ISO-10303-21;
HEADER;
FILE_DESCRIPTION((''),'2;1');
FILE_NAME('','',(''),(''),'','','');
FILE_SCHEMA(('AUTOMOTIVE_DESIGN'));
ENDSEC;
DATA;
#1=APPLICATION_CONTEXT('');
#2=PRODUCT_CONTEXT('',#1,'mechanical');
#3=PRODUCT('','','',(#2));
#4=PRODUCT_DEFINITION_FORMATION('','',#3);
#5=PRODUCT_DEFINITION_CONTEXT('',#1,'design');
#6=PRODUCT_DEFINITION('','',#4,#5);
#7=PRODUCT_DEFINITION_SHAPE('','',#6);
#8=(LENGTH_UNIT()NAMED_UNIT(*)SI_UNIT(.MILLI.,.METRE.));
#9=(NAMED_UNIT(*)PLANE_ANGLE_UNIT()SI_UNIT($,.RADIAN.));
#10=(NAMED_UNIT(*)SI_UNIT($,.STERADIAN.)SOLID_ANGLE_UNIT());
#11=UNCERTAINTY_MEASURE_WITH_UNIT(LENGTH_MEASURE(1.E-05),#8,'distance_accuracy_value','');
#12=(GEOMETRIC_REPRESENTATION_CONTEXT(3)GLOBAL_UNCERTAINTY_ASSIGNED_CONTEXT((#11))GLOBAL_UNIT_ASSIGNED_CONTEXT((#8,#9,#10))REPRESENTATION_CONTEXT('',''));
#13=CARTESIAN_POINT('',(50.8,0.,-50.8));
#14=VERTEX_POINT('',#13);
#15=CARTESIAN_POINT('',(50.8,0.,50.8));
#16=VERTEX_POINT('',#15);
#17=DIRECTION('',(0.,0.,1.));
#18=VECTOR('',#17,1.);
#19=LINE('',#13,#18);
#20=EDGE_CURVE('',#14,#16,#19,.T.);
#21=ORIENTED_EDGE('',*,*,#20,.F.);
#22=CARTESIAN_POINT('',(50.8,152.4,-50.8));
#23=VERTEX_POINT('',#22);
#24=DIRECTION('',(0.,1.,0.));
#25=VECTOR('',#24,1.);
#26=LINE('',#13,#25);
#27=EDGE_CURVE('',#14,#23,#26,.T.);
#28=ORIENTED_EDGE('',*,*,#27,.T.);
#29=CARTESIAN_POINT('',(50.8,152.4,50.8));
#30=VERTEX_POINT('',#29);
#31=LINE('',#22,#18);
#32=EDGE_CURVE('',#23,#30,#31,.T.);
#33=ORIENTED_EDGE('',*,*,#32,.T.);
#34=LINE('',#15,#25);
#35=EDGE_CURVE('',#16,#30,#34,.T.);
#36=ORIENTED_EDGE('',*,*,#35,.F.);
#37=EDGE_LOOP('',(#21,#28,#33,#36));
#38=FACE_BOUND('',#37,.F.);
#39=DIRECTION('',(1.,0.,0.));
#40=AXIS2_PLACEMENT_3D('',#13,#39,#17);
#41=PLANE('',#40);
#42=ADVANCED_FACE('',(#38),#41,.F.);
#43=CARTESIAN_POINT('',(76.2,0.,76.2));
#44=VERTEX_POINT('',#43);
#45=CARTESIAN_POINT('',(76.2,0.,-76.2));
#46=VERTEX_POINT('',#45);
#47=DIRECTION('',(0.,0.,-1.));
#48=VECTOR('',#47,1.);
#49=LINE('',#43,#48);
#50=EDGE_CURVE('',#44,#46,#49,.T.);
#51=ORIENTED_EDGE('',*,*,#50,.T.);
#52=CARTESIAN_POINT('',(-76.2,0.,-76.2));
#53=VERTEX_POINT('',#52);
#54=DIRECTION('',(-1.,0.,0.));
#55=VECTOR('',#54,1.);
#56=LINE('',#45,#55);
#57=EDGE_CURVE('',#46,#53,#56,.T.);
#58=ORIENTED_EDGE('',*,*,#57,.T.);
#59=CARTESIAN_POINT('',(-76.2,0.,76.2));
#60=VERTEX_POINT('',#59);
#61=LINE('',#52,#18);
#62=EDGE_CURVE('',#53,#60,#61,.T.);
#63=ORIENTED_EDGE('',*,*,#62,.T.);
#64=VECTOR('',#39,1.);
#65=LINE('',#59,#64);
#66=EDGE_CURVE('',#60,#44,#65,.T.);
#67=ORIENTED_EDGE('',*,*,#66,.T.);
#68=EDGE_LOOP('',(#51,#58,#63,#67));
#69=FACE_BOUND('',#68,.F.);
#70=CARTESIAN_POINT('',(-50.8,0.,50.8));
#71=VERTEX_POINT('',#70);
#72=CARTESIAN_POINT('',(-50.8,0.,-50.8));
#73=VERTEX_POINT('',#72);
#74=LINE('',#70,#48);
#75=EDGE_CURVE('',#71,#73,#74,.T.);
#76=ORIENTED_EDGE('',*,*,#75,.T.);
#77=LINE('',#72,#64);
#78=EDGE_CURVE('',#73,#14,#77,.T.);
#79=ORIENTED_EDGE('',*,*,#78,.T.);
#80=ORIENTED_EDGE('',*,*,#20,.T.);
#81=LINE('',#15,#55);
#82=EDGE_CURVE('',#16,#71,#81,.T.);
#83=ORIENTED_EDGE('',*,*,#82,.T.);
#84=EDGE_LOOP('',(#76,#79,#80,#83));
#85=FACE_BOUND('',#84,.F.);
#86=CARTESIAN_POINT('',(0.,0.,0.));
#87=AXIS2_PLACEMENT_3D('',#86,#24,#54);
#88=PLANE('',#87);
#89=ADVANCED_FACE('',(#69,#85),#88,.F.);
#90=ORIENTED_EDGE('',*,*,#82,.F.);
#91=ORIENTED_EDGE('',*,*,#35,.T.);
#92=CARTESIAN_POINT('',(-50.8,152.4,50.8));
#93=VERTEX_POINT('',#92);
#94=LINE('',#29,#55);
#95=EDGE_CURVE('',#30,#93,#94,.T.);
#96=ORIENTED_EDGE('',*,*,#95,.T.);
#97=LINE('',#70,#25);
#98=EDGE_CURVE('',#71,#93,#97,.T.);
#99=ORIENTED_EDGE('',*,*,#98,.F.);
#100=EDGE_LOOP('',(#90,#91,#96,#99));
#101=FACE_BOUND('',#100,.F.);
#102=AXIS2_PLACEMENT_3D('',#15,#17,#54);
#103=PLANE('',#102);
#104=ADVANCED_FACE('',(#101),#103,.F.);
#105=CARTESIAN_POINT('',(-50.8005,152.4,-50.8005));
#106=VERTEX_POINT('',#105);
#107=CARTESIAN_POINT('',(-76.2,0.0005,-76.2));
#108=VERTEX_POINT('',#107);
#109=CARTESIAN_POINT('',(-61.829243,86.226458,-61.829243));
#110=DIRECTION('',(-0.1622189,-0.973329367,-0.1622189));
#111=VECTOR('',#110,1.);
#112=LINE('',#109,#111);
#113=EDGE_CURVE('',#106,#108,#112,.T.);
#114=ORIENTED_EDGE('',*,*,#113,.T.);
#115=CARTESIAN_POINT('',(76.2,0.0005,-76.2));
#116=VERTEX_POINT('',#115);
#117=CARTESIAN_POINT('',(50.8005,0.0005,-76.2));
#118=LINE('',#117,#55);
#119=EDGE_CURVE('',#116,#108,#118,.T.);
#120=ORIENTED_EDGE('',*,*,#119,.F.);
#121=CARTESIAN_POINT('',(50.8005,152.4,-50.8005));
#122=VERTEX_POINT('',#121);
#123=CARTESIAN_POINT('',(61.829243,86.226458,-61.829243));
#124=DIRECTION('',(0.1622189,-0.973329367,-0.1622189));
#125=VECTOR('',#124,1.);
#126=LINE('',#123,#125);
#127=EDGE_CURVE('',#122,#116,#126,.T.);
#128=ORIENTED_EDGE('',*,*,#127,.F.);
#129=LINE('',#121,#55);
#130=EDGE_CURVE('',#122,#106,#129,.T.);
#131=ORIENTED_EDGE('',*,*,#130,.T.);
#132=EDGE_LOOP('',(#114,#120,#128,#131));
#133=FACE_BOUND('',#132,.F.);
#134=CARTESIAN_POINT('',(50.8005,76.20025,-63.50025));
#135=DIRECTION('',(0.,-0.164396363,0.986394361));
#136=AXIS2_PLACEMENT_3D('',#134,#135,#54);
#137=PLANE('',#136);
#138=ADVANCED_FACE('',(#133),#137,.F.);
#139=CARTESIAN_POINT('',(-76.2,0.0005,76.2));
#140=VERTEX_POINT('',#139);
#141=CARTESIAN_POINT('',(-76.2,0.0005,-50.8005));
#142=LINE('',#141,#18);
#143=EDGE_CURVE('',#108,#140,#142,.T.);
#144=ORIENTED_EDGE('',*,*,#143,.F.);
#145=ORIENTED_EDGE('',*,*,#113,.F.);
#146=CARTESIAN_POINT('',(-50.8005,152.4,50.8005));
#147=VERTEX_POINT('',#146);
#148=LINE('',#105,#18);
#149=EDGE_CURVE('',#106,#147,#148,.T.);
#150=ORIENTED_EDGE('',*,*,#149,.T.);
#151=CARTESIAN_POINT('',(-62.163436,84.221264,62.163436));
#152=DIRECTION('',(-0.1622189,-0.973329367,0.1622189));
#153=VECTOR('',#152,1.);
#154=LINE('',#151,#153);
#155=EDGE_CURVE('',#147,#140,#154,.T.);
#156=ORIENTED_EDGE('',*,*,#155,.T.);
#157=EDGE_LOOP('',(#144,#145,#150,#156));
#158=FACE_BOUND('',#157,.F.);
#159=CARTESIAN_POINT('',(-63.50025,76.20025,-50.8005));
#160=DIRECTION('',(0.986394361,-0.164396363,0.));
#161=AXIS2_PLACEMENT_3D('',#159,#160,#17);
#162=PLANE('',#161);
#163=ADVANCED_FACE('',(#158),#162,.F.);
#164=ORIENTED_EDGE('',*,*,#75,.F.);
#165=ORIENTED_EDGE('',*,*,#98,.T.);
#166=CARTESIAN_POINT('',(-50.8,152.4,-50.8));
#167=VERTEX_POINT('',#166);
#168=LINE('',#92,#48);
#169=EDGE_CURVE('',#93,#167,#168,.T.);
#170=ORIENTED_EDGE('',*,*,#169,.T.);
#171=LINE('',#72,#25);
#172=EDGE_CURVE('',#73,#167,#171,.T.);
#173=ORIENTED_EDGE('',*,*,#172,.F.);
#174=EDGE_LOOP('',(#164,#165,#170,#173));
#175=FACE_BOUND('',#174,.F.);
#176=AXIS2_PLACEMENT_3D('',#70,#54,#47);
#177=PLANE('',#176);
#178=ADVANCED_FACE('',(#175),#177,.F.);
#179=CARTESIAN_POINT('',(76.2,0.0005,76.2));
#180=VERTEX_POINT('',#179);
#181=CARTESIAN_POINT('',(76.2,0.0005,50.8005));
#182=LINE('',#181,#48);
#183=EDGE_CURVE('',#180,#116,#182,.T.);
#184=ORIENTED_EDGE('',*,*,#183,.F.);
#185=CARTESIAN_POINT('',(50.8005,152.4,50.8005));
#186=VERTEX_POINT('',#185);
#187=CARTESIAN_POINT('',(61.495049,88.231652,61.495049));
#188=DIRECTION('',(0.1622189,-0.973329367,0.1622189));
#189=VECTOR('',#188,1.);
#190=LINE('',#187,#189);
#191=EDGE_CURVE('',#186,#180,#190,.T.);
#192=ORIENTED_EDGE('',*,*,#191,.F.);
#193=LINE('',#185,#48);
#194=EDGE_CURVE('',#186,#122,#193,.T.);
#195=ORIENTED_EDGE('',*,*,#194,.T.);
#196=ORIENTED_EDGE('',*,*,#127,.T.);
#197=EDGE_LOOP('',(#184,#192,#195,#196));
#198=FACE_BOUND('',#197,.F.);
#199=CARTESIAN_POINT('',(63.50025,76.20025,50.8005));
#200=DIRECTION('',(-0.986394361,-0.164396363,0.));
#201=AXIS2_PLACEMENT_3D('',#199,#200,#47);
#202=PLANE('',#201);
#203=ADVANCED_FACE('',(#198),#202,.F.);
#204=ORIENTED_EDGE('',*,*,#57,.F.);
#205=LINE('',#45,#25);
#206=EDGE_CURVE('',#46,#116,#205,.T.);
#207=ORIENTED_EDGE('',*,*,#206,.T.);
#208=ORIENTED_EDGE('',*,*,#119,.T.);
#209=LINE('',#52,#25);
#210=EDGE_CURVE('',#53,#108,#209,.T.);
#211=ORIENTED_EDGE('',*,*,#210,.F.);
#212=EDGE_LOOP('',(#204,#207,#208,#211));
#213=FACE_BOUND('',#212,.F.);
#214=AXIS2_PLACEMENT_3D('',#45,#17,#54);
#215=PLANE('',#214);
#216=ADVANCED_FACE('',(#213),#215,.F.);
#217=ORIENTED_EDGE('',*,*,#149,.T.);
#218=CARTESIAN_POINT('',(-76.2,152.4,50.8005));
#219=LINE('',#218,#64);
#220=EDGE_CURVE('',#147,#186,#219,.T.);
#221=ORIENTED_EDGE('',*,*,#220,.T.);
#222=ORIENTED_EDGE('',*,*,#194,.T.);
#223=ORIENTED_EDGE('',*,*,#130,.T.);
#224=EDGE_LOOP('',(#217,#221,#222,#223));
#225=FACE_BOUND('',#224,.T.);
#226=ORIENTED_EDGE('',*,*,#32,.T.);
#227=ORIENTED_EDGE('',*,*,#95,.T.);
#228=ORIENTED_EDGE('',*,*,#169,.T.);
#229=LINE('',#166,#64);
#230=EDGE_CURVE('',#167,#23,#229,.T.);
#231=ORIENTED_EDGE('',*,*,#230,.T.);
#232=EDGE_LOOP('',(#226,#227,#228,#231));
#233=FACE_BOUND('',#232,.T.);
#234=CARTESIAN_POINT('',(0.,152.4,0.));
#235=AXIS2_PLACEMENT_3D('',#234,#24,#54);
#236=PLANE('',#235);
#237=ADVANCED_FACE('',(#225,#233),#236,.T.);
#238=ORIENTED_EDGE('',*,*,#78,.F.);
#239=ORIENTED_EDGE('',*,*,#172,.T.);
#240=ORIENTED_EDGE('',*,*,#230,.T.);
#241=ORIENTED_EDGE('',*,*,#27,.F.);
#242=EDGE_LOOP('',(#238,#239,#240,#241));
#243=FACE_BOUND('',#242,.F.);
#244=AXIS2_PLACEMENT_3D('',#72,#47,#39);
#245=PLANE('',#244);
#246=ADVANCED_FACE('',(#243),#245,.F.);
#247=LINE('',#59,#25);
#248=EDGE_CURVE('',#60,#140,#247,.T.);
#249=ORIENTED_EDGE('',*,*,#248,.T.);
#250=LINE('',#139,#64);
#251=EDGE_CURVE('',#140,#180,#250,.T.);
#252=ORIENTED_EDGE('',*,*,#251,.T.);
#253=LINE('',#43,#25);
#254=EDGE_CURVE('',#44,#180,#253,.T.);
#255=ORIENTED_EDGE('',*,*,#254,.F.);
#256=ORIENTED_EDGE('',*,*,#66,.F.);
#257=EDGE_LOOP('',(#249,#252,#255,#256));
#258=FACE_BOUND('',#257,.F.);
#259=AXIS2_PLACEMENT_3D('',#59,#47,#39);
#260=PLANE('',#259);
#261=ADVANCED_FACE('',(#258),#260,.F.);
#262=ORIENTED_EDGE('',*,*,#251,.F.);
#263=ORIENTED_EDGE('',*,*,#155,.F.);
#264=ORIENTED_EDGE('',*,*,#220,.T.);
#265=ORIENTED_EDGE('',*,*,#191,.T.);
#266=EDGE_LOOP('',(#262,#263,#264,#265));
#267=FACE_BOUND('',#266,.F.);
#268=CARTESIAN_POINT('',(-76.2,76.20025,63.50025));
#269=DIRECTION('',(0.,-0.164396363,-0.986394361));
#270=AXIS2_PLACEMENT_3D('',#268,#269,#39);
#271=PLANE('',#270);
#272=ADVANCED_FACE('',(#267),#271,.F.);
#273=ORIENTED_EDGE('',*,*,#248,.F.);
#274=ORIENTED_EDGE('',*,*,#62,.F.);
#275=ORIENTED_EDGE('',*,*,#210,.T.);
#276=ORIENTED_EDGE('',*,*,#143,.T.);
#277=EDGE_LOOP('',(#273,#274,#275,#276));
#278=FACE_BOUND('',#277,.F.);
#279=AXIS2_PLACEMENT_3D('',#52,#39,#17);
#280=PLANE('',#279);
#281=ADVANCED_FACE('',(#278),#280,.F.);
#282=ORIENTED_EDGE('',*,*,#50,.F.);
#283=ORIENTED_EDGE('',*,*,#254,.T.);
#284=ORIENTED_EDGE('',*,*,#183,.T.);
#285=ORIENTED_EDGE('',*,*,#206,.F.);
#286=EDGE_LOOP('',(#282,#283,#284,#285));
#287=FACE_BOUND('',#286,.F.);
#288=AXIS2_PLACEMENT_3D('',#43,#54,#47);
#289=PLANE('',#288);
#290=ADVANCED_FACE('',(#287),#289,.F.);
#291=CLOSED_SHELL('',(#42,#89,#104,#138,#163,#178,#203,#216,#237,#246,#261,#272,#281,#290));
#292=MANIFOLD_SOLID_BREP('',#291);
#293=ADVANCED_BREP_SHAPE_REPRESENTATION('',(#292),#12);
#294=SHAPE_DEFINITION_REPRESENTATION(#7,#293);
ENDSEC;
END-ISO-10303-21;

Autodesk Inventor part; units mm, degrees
ref_plane "YZ Plane" through (0, 0, 0) normal (1, 0, 0) x (0, 1, 0)
ref_plane "XZ Plane" through (0, 0, 0) normal (0, 1, 0) x (-1, 0, 0)
ref_plane "XY Plane" through (0, 0, 0) normal (0, 0, 1) x (1, 0, 0)
sketch "Sketch1" plane through (0, 0, 0) normal (0, 1, 0) x (-1, 0, 0)
  line L0 (-50.8, 50.8) -> (50.8, 50.8)
  line L1 (50.8, 50.8) -> (50.8, -50.8)
  line L2 (50.8, -50.8) -> (-50.8, -50.8)
  line L3 (-50.8, -50.8) -> (-50.8, 50.8)
  line L4 (-50.8, 50.8) -> (50.8, -50.8) construction
  line L5 (50.8, 50.8) -> (-50.8, -50.8) construction
  line L6 (76.2, -76.2) -> (76.2, 76.2)
  line L7 (76.2, 76.2) -> (-76.2, 76.2)
  line L8 (-76.2, 76.2) -> (-76.2, -76.2)
  line L9 (-76.2, -76.2) -> (76.2, -76.2)
  point P0 (0, 0)
  dimension "d0" = 101.6
  dimension "d1" = 101.6
  dimension "d2" = 25.4
extrude "Extrusion1" add sketch "Sketch1" along normal blind 152.4
chamfer "Chamfer1" distance 25.4 distance2 152.4 1 edges at (0, 152.4, 76.2) measured on face at (-16.9333, 152.4, -67.7333)
chamfer "Chamfer2" distance 25.4 distance2 152.4 1 edges at (76.2, 152.4, -12.6998) measured on face at (-16.9333, 152.4, -67.7333)
chamfer "Chamfer3" distance 25.4 distance2 152.4 1 edges at (-12.6998, 152.4, -76.2) measured on face at (-25.3998, 152.4, -67.7333)
chamfer "Chamfer4" distance 25.4 distance2 152.4 1 edges at (-76.2, 152.4, 0) measured on face at (-67.7333, 152.4, -16.9333)
properties part number "PostBase" material "Iron, Cast"
